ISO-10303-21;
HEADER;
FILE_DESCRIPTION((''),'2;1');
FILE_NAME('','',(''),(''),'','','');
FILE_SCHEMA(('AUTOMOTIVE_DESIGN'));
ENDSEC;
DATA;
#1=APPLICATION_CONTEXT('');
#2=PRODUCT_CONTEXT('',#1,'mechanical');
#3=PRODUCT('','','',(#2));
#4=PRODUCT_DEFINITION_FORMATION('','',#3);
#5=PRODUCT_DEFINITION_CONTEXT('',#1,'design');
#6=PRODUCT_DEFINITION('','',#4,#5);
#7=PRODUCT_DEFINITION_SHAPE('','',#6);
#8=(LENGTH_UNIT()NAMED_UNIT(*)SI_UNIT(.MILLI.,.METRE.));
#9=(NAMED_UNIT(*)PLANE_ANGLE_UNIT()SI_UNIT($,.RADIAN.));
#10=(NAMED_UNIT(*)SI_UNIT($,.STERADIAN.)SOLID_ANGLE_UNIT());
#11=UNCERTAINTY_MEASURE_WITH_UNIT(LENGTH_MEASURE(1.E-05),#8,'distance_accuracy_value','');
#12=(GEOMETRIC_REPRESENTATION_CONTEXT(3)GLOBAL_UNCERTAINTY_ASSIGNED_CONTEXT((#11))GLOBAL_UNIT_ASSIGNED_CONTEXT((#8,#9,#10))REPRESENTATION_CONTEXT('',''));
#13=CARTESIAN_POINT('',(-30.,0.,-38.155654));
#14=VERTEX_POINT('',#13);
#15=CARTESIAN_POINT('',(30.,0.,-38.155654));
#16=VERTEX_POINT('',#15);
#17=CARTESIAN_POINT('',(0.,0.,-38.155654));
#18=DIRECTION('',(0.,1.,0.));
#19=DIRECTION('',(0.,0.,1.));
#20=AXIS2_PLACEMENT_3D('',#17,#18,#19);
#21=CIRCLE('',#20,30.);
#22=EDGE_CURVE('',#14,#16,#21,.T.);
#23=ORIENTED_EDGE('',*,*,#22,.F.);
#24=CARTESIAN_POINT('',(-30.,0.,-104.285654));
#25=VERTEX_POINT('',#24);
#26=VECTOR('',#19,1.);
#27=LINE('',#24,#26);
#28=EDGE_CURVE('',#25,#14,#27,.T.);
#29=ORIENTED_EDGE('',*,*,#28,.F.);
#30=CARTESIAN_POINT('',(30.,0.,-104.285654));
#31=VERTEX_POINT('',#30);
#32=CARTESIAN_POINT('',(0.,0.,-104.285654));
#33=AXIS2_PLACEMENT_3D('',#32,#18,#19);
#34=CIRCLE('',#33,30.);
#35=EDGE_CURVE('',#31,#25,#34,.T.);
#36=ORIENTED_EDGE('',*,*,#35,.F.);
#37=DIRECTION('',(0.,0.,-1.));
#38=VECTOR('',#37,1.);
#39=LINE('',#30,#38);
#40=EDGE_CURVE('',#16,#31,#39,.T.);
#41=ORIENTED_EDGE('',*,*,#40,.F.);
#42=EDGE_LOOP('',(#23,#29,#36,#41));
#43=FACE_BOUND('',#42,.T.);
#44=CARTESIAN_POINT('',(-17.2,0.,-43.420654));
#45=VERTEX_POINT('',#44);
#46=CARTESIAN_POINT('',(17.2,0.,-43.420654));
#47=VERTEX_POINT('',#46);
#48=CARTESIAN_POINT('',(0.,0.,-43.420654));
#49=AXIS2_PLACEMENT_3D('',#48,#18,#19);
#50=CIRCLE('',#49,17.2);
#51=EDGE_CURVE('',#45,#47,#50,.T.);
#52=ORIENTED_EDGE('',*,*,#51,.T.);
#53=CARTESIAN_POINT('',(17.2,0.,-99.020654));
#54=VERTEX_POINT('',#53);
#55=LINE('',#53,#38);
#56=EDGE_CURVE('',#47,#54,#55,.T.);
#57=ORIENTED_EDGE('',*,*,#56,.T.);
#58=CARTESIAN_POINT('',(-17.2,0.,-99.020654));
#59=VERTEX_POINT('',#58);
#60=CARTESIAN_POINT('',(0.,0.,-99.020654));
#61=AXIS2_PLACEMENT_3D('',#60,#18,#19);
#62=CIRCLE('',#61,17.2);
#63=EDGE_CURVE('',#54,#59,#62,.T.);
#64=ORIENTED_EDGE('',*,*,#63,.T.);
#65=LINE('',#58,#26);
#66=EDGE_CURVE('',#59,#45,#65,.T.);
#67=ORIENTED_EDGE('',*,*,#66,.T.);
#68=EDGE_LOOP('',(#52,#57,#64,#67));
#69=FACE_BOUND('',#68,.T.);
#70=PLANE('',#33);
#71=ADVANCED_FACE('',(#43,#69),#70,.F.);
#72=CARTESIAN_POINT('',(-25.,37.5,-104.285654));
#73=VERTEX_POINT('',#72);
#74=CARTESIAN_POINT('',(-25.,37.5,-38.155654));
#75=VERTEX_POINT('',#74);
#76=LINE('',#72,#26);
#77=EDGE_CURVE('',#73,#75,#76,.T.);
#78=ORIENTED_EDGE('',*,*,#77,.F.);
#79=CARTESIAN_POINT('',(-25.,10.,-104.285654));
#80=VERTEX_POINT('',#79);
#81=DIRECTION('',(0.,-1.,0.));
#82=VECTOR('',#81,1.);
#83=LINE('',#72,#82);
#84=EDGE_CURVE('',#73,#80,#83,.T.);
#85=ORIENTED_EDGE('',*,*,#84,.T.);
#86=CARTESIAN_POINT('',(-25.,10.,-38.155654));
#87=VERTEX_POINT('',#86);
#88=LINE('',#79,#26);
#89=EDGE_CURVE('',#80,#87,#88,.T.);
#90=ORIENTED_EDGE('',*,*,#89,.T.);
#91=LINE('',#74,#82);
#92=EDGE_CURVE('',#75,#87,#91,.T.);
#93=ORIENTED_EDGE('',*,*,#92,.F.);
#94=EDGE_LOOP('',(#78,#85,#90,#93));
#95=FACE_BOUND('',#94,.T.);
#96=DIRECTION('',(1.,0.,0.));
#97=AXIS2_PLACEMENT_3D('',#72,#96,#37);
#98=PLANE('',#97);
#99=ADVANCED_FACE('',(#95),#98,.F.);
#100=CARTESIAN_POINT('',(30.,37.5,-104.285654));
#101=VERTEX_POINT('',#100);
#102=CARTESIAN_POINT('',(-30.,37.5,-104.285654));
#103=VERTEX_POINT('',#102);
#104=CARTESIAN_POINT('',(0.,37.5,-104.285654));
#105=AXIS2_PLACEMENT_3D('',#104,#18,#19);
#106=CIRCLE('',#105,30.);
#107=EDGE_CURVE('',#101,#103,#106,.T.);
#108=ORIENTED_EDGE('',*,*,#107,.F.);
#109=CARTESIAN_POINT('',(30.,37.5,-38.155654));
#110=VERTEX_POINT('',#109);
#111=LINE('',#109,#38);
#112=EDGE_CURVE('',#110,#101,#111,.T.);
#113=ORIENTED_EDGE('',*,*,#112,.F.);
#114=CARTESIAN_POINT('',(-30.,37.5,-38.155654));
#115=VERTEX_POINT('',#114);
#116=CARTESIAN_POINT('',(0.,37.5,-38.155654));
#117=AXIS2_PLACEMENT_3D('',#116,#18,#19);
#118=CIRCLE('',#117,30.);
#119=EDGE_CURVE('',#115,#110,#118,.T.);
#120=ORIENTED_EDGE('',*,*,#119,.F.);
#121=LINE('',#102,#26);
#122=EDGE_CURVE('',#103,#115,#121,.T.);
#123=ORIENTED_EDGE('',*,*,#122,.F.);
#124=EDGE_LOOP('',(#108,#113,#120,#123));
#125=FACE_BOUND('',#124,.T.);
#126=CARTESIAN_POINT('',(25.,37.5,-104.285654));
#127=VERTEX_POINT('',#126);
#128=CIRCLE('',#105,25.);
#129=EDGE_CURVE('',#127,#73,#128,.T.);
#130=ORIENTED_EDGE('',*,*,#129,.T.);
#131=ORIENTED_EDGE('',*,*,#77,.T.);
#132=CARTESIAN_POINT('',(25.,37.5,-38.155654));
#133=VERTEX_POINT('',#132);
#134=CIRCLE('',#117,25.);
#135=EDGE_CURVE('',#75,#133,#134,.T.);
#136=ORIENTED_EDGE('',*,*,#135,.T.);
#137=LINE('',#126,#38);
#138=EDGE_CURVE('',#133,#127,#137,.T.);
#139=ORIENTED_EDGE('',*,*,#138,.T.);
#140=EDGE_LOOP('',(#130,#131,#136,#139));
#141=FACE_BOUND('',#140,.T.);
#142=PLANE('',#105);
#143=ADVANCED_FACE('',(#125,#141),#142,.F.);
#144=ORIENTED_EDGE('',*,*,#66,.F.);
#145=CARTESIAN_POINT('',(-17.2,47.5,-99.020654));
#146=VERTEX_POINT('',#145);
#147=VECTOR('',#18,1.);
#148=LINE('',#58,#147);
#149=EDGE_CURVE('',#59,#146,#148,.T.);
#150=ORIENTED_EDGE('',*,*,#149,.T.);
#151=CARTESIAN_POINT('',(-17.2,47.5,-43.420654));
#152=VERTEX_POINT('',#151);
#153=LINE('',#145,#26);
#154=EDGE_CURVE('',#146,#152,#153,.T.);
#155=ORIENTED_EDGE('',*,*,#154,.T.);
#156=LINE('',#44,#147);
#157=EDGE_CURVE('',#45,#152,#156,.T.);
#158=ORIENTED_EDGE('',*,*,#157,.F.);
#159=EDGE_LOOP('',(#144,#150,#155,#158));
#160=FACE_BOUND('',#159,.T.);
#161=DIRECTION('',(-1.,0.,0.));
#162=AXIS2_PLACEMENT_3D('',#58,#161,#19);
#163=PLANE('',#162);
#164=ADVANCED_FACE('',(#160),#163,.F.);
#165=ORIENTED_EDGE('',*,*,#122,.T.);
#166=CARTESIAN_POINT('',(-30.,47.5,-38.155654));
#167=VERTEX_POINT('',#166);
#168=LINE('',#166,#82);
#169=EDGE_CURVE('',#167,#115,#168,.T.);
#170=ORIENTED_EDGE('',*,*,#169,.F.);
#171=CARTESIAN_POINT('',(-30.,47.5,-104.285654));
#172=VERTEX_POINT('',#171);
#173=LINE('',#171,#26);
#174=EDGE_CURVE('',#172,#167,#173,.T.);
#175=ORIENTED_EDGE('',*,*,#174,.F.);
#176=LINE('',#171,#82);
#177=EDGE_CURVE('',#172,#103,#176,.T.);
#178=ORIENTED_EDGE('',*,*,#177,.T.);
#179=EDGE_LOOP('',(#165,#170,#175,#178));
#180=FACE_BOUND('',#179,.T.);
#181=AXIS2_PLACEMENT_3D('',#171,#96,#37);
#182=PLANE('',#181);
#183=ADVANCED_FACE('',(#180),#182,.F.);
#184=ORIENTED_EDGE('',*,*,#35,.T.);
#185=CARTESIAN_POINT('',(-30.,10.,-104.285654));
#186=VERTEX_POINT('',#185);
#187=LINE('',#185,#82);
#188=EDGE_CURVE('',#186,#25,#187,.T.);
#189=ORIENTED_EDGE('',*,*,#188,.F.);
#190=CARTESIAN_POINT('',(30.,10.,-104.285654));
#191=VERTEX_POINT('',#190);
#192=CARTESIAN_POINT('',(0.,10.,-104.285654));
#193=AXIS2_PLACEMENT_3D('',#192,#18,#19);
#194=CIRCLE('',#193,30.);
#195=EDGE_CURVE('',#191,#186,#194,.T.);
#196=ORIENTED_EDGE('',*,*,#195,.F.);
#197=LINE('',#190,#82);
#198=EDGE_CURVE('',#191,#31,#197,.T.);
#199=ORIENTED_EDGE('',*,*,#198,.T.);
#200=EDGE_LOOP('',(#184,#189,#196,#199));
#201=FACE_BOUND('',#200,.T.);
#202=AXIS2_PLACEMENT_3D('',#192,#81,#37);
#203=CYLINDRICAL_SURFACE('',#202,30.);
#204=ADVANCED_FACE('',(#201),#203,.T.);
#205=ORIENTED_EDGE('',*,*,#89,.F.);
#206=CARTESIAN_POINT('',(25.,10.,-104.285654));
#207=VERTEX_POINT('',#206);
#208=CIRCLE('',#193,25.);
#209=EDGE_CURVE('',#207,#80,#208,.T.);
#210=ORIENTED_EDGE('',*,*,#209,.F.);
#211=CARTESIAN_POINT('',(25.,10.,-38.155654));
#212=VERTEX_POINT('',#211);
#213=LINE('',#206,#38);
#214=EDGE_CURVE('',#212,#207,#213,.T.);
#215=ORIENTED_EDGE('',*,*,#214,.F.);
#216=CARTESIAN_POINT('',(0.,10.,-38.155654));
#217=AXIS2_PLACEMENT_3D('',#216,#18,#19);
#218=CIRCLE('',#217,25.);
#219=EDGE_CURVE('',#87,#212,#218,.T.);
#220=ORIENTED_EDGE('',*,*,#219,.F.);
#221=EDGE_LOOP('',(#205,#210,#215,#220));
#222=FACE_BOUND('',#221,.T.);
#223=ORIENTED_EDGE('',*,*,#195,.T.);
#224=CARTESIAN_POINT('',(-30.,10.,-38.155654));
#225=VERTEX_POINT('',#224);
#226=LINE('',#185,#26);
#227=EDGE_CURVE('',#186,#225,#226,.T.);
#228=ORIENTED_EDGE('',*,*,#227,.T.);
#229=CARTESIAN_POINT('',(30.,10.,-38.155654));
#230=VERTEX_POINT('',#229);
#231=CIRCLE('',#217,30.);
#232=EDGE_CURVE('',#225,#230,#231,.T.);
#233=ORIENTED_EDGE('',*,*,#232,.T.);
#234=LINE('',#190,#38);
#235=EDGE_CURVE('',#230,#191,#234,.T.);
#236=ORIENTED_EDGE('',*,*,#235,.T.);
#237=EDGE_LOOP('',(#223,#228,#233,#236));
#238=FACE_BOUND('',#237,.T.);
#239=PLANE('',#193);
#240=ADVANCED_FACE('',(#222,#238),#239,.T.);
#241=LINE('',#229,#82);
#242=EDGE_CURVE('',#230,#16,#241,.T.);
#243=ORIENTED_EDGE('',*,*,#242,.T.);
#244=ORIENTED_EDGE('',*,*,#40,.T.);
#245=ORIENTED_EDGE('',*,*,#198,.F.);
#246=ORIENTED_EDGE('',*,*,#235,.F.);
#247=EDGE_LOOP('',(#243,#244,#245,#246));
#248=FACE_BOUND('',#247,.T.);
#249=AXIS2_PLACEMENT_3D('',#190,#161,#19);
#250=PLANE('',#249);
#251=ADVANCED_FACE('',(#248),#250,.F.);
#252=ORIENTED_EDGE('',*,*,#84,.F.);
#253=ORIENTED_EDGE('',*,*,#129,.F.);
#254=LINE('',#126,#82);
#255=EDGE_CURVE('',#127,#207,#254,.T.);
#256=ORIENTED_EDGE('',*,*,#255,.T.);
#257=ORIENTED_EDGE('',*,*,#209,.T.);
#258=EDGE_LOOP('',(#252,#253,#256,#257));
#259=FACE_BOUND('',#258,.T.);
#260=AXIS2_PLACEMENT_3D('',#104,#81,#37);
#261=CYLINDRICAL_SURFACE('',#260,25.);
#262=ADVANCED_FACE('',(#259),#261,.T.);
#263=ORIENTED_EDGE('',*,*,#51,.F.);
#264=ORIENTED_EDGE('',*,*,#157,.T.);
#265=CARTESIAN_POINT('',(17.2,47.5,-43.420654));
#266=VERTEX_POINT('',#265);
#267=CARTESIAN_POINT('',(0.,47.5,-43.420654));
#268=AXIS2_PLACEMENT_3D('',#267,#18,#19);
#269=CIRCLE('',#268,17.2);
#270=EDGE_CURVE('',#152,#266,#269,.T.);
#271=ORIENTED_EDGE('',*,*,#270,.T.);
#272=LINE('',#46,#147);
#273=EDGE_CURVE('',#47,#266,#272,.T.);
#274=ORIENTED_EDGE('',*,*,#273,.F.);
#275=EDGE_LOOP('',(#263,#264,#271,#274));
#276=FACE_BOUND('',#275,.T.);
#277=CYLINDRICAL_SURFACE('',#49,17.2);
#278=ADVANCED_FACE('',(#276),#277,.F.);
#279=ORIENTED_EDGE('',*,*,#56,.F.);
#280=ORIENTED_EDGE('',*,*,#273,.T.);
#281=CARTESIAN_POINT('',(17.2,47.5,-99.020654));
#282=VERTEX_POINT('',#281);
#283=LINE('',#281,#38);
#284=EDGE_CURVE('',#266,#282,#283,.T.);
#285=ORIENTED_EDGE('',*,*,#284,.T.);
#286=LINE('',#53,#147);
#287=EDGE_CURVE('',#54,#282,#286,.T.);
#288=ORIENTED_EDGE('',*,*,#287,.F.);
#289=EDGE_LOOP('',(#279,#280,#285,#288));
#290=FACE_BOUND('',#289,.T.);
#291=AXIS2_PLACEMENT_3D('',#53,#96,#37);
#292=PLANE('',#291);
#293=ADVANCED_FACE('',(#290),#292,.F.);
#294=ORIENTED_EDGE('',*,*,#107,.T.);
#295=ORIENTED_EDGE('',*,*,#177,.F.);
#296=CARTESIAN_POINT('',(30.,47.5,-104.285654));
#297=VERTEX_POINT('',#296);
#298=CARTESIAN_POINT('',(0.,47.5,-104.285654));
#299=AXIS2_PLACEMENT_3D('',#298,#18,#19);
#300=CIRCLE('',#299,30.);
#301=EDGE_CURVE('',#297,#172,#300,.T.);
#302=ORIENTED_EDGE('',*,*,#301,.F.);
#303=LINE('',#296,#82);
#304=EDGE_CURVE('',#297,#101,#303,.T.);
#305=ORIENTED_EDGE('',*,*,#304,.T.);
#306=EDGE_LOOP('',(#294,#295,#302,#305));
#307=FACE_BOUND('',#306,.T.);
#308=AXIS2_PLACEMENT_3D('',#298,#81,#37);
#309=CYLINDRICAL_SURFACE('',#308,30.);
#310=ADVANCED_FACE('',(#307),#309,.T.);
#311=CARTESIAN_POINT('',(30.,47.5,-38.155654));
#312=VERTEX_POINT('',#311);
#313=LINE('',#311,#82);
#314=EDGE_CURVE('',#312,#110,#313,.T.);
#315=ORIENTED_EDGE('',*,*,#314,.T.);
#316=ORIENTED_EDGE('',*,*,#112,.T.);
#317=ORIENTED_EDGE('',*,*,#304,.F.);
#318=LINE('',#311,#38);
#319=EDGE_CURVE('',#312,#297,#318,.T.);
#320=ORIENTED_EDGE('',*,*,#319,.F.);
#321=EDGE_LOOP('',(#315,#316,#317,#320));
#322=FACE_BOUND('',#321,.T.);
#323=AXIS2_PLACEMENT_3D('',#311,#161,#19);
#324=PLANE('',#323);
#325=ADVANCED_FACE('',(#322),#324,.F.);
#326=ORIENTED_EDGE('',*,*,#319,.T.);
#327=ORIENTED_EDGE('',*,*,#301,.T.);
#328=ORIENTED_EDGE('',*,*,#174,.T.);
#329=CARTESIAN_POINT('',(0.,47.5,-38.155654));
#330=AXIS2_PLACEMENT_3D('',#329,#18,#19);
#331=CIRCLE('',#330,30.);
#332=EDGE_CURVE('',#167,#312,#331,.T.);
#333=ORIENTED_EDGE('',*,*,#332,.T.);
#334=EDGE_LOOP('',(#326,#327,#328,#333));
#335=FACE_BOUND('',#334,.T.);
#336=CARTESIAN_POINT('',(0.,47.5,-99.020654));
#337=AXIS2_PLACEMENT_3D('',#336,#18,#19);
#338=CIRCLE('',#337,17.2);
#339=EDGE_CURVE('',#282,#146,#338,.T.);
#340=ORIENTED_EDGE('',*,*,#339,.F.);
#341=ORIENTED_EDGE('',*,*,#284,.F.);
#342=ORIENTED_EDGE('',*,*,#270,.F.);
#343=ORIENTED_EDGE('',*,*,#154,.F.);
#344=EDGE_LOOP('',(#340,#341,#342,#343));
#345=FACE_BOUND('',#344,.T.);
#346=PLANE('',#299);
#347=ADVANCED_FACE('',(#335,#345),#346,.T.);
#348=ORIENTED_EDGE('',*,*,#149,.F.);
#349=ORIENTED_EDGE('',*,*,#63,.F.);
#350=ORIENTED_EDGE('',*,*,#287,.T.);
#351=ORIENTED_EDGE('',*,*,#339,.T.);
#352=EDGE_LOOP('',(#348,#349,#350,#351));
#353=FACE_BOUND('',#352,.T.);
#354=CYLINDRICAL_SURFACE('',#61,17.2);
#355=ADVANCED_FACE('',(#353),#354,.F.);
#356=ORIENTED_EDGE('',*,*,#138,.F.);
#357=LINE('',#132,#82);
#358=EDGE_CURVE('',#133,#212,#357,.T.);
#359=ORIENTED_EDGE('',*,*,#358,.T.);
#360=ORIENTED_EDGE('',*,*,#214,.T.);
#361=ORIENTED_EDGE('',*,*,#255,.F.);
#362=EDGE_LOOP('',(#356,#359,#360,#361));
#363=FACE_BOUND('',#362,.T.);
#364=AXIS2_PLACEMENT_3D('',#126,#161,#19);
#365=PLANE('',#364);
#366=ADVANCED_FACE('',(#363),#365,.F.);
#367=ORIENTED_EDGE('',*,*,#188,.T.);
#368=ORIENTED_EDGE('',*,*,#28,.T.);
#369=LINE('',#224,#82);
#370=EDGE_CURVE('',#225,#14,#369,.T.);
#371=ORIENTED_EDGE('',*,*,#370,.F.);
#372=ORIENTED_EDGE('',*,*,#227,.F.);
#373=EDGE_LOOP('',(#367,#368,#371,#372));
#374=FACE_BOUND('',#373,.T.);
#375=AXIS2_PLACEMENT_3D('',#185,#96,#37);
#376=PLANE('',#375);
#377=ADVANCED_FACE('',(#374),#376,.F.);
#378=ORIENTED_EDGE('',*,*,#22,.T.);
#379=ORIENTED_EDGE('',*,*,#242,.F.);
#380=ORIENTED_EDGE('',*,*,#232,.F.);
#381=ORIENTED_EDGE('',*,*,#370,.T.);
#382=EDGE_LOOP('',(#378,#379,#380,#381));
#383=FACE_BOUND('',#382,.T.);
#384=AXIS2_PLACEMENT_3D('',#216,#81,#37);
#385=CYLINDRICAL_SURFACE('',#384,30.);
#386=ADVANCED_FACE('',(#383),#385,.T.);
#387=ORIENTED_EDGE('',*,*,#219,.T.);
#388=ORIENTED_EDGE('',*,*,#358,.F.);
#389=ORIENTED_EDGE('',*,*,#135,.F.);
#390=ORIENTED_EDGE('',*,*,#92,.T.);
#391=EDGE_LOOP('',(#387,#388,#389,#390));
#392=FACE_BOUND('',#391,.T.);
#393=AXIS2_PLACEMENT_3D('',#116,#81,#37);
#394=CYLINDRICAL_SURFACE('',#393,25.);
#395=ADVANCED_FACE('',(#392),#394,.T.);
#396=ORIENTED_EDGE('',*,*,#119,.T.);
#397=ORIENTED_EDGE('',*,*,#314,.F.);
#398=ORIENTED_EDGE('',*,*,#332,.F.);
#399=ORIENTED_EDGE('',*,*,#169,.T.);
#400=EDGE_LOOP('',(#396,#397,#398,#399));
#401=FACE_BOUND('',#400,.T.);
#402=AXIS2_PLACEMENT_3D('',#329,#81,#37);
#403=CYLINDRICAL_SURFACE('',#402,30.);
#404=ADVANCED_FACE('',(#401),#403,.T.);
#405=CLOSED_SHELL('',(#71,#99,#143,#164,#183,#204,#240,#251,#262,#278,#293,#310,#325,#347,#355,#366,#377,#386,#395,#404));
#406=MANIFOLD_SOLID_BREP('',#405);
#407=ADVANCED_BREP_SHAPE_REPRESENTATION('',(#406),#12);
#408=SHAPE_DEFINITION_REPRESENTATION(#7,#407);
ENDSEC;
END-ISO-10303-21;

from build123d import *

# Parameters (mm, degrees)
BOSS_EXTRUDE1_DEPTH     = 10
BOSS_EXTRUDE2_DEPTH     = 27.5
BOSS_EXTRUDE3_DEPTH     = 10
CUT_EXTRUDE1_DEPTH      = 146.564029734
CUT_EXTRUDE1_DEPTH_BACK = 146.564029734


with BuildPart() as part:
    # Sketch1 → Boss-Extrude1 (new body)
    with BuildSketch(Plane(origin=(0, 0, 0), x_dir=(1, 0, 0), z_dir=(0, 1, 0))):
        with BuildLine():
            Line((-30, 104.285653561), (-30, 38.155653561))
            ThreePointArc((-30, 38.155653561), (0, 8.155653561), (30, 38.155653561))
            Line((30, 38.155653561), (30, 104.285653561))
            ThreePointArc((30, 104.285653561), (0, 134.285653561), (-30, 104.285653561))
        make_face()
    extrude(amount=BOSS_EXTRUDE1_DEPTH)

    # Sketch2 → Boss-Extrude2 (add)
    with BuildSketch(Plane(origin=(0, 10, 0), x_dir=(1, 0, 0), z_dir=(0, 1, 0))):
        with BuildLine():
            Line((-25, 104.285653561), (-25, 38.155653561))
            ThreePointArc((-25, 38.155653561), (0, 13.155653561), (25, 38.155653561))
            Line((25, 38.155653561), (25, 104.285653561))
            ThreePointArc((25, 104.285653561), (0, 129.285653561), (-25, 104.285653561))
        make_face()
    extrude(amount=BOSS_EXTRUDE2_DEPTH)

    # Sketch3 → Boss-Extrude3 (add)
    with BuildSketch(Plane(origin=(0, 37.5, 0), x_dir=(1, 0, 0), z_dir=(0, 1, 0))):
        with BuildLine():
            Line((-30, 104.285653561), (-30, 38.155653561))
            ThreePointArc((-30, 38.155653561), (0, 8.155653561), (30, 38.155653561))
            Line((30, 38.155653561), (30, 104.285653561))
            ThreePointArc((30, 104.285653561), (0, 134.285653561), (-30, 104.285653561))
        make_face()
    extrude(amount=BOSS_EXTRUDE3_DEPTH)

    # Sketch4 → Cut-Extrude1 (cut, two sides: drawn at the far end of the back side and taken through both)
    with BuildSketch(Plane(origin=(0, 47.5, 0), x_dir=(1, 0, 0), z_dir=(0, 1, 0)).offset(-CUT_EXTRUDE1_DEPTH_BACK)):
        with BuildLine():
            Line((-17.2, 99.020653561), (-17.2, 43.420653561))
            ThreePointArc((-17.2, 43.420653561), (0, 26.220653561), (17.2, 43.420653561))
            Line((17.2, 43.420653561), (17.2, 99.020653561))
            ThreePointArc((17.2, 99.020653561), (0, 116.220653561), (-17.2, 99.020653561))
        make_face()
    extrude(amount=CUT_EXTRUDE1_DEPTH + CUT_EXTRUDE1_DEPTH_BACK, mode=Mode.SUBTRACT)


solid = part.part
